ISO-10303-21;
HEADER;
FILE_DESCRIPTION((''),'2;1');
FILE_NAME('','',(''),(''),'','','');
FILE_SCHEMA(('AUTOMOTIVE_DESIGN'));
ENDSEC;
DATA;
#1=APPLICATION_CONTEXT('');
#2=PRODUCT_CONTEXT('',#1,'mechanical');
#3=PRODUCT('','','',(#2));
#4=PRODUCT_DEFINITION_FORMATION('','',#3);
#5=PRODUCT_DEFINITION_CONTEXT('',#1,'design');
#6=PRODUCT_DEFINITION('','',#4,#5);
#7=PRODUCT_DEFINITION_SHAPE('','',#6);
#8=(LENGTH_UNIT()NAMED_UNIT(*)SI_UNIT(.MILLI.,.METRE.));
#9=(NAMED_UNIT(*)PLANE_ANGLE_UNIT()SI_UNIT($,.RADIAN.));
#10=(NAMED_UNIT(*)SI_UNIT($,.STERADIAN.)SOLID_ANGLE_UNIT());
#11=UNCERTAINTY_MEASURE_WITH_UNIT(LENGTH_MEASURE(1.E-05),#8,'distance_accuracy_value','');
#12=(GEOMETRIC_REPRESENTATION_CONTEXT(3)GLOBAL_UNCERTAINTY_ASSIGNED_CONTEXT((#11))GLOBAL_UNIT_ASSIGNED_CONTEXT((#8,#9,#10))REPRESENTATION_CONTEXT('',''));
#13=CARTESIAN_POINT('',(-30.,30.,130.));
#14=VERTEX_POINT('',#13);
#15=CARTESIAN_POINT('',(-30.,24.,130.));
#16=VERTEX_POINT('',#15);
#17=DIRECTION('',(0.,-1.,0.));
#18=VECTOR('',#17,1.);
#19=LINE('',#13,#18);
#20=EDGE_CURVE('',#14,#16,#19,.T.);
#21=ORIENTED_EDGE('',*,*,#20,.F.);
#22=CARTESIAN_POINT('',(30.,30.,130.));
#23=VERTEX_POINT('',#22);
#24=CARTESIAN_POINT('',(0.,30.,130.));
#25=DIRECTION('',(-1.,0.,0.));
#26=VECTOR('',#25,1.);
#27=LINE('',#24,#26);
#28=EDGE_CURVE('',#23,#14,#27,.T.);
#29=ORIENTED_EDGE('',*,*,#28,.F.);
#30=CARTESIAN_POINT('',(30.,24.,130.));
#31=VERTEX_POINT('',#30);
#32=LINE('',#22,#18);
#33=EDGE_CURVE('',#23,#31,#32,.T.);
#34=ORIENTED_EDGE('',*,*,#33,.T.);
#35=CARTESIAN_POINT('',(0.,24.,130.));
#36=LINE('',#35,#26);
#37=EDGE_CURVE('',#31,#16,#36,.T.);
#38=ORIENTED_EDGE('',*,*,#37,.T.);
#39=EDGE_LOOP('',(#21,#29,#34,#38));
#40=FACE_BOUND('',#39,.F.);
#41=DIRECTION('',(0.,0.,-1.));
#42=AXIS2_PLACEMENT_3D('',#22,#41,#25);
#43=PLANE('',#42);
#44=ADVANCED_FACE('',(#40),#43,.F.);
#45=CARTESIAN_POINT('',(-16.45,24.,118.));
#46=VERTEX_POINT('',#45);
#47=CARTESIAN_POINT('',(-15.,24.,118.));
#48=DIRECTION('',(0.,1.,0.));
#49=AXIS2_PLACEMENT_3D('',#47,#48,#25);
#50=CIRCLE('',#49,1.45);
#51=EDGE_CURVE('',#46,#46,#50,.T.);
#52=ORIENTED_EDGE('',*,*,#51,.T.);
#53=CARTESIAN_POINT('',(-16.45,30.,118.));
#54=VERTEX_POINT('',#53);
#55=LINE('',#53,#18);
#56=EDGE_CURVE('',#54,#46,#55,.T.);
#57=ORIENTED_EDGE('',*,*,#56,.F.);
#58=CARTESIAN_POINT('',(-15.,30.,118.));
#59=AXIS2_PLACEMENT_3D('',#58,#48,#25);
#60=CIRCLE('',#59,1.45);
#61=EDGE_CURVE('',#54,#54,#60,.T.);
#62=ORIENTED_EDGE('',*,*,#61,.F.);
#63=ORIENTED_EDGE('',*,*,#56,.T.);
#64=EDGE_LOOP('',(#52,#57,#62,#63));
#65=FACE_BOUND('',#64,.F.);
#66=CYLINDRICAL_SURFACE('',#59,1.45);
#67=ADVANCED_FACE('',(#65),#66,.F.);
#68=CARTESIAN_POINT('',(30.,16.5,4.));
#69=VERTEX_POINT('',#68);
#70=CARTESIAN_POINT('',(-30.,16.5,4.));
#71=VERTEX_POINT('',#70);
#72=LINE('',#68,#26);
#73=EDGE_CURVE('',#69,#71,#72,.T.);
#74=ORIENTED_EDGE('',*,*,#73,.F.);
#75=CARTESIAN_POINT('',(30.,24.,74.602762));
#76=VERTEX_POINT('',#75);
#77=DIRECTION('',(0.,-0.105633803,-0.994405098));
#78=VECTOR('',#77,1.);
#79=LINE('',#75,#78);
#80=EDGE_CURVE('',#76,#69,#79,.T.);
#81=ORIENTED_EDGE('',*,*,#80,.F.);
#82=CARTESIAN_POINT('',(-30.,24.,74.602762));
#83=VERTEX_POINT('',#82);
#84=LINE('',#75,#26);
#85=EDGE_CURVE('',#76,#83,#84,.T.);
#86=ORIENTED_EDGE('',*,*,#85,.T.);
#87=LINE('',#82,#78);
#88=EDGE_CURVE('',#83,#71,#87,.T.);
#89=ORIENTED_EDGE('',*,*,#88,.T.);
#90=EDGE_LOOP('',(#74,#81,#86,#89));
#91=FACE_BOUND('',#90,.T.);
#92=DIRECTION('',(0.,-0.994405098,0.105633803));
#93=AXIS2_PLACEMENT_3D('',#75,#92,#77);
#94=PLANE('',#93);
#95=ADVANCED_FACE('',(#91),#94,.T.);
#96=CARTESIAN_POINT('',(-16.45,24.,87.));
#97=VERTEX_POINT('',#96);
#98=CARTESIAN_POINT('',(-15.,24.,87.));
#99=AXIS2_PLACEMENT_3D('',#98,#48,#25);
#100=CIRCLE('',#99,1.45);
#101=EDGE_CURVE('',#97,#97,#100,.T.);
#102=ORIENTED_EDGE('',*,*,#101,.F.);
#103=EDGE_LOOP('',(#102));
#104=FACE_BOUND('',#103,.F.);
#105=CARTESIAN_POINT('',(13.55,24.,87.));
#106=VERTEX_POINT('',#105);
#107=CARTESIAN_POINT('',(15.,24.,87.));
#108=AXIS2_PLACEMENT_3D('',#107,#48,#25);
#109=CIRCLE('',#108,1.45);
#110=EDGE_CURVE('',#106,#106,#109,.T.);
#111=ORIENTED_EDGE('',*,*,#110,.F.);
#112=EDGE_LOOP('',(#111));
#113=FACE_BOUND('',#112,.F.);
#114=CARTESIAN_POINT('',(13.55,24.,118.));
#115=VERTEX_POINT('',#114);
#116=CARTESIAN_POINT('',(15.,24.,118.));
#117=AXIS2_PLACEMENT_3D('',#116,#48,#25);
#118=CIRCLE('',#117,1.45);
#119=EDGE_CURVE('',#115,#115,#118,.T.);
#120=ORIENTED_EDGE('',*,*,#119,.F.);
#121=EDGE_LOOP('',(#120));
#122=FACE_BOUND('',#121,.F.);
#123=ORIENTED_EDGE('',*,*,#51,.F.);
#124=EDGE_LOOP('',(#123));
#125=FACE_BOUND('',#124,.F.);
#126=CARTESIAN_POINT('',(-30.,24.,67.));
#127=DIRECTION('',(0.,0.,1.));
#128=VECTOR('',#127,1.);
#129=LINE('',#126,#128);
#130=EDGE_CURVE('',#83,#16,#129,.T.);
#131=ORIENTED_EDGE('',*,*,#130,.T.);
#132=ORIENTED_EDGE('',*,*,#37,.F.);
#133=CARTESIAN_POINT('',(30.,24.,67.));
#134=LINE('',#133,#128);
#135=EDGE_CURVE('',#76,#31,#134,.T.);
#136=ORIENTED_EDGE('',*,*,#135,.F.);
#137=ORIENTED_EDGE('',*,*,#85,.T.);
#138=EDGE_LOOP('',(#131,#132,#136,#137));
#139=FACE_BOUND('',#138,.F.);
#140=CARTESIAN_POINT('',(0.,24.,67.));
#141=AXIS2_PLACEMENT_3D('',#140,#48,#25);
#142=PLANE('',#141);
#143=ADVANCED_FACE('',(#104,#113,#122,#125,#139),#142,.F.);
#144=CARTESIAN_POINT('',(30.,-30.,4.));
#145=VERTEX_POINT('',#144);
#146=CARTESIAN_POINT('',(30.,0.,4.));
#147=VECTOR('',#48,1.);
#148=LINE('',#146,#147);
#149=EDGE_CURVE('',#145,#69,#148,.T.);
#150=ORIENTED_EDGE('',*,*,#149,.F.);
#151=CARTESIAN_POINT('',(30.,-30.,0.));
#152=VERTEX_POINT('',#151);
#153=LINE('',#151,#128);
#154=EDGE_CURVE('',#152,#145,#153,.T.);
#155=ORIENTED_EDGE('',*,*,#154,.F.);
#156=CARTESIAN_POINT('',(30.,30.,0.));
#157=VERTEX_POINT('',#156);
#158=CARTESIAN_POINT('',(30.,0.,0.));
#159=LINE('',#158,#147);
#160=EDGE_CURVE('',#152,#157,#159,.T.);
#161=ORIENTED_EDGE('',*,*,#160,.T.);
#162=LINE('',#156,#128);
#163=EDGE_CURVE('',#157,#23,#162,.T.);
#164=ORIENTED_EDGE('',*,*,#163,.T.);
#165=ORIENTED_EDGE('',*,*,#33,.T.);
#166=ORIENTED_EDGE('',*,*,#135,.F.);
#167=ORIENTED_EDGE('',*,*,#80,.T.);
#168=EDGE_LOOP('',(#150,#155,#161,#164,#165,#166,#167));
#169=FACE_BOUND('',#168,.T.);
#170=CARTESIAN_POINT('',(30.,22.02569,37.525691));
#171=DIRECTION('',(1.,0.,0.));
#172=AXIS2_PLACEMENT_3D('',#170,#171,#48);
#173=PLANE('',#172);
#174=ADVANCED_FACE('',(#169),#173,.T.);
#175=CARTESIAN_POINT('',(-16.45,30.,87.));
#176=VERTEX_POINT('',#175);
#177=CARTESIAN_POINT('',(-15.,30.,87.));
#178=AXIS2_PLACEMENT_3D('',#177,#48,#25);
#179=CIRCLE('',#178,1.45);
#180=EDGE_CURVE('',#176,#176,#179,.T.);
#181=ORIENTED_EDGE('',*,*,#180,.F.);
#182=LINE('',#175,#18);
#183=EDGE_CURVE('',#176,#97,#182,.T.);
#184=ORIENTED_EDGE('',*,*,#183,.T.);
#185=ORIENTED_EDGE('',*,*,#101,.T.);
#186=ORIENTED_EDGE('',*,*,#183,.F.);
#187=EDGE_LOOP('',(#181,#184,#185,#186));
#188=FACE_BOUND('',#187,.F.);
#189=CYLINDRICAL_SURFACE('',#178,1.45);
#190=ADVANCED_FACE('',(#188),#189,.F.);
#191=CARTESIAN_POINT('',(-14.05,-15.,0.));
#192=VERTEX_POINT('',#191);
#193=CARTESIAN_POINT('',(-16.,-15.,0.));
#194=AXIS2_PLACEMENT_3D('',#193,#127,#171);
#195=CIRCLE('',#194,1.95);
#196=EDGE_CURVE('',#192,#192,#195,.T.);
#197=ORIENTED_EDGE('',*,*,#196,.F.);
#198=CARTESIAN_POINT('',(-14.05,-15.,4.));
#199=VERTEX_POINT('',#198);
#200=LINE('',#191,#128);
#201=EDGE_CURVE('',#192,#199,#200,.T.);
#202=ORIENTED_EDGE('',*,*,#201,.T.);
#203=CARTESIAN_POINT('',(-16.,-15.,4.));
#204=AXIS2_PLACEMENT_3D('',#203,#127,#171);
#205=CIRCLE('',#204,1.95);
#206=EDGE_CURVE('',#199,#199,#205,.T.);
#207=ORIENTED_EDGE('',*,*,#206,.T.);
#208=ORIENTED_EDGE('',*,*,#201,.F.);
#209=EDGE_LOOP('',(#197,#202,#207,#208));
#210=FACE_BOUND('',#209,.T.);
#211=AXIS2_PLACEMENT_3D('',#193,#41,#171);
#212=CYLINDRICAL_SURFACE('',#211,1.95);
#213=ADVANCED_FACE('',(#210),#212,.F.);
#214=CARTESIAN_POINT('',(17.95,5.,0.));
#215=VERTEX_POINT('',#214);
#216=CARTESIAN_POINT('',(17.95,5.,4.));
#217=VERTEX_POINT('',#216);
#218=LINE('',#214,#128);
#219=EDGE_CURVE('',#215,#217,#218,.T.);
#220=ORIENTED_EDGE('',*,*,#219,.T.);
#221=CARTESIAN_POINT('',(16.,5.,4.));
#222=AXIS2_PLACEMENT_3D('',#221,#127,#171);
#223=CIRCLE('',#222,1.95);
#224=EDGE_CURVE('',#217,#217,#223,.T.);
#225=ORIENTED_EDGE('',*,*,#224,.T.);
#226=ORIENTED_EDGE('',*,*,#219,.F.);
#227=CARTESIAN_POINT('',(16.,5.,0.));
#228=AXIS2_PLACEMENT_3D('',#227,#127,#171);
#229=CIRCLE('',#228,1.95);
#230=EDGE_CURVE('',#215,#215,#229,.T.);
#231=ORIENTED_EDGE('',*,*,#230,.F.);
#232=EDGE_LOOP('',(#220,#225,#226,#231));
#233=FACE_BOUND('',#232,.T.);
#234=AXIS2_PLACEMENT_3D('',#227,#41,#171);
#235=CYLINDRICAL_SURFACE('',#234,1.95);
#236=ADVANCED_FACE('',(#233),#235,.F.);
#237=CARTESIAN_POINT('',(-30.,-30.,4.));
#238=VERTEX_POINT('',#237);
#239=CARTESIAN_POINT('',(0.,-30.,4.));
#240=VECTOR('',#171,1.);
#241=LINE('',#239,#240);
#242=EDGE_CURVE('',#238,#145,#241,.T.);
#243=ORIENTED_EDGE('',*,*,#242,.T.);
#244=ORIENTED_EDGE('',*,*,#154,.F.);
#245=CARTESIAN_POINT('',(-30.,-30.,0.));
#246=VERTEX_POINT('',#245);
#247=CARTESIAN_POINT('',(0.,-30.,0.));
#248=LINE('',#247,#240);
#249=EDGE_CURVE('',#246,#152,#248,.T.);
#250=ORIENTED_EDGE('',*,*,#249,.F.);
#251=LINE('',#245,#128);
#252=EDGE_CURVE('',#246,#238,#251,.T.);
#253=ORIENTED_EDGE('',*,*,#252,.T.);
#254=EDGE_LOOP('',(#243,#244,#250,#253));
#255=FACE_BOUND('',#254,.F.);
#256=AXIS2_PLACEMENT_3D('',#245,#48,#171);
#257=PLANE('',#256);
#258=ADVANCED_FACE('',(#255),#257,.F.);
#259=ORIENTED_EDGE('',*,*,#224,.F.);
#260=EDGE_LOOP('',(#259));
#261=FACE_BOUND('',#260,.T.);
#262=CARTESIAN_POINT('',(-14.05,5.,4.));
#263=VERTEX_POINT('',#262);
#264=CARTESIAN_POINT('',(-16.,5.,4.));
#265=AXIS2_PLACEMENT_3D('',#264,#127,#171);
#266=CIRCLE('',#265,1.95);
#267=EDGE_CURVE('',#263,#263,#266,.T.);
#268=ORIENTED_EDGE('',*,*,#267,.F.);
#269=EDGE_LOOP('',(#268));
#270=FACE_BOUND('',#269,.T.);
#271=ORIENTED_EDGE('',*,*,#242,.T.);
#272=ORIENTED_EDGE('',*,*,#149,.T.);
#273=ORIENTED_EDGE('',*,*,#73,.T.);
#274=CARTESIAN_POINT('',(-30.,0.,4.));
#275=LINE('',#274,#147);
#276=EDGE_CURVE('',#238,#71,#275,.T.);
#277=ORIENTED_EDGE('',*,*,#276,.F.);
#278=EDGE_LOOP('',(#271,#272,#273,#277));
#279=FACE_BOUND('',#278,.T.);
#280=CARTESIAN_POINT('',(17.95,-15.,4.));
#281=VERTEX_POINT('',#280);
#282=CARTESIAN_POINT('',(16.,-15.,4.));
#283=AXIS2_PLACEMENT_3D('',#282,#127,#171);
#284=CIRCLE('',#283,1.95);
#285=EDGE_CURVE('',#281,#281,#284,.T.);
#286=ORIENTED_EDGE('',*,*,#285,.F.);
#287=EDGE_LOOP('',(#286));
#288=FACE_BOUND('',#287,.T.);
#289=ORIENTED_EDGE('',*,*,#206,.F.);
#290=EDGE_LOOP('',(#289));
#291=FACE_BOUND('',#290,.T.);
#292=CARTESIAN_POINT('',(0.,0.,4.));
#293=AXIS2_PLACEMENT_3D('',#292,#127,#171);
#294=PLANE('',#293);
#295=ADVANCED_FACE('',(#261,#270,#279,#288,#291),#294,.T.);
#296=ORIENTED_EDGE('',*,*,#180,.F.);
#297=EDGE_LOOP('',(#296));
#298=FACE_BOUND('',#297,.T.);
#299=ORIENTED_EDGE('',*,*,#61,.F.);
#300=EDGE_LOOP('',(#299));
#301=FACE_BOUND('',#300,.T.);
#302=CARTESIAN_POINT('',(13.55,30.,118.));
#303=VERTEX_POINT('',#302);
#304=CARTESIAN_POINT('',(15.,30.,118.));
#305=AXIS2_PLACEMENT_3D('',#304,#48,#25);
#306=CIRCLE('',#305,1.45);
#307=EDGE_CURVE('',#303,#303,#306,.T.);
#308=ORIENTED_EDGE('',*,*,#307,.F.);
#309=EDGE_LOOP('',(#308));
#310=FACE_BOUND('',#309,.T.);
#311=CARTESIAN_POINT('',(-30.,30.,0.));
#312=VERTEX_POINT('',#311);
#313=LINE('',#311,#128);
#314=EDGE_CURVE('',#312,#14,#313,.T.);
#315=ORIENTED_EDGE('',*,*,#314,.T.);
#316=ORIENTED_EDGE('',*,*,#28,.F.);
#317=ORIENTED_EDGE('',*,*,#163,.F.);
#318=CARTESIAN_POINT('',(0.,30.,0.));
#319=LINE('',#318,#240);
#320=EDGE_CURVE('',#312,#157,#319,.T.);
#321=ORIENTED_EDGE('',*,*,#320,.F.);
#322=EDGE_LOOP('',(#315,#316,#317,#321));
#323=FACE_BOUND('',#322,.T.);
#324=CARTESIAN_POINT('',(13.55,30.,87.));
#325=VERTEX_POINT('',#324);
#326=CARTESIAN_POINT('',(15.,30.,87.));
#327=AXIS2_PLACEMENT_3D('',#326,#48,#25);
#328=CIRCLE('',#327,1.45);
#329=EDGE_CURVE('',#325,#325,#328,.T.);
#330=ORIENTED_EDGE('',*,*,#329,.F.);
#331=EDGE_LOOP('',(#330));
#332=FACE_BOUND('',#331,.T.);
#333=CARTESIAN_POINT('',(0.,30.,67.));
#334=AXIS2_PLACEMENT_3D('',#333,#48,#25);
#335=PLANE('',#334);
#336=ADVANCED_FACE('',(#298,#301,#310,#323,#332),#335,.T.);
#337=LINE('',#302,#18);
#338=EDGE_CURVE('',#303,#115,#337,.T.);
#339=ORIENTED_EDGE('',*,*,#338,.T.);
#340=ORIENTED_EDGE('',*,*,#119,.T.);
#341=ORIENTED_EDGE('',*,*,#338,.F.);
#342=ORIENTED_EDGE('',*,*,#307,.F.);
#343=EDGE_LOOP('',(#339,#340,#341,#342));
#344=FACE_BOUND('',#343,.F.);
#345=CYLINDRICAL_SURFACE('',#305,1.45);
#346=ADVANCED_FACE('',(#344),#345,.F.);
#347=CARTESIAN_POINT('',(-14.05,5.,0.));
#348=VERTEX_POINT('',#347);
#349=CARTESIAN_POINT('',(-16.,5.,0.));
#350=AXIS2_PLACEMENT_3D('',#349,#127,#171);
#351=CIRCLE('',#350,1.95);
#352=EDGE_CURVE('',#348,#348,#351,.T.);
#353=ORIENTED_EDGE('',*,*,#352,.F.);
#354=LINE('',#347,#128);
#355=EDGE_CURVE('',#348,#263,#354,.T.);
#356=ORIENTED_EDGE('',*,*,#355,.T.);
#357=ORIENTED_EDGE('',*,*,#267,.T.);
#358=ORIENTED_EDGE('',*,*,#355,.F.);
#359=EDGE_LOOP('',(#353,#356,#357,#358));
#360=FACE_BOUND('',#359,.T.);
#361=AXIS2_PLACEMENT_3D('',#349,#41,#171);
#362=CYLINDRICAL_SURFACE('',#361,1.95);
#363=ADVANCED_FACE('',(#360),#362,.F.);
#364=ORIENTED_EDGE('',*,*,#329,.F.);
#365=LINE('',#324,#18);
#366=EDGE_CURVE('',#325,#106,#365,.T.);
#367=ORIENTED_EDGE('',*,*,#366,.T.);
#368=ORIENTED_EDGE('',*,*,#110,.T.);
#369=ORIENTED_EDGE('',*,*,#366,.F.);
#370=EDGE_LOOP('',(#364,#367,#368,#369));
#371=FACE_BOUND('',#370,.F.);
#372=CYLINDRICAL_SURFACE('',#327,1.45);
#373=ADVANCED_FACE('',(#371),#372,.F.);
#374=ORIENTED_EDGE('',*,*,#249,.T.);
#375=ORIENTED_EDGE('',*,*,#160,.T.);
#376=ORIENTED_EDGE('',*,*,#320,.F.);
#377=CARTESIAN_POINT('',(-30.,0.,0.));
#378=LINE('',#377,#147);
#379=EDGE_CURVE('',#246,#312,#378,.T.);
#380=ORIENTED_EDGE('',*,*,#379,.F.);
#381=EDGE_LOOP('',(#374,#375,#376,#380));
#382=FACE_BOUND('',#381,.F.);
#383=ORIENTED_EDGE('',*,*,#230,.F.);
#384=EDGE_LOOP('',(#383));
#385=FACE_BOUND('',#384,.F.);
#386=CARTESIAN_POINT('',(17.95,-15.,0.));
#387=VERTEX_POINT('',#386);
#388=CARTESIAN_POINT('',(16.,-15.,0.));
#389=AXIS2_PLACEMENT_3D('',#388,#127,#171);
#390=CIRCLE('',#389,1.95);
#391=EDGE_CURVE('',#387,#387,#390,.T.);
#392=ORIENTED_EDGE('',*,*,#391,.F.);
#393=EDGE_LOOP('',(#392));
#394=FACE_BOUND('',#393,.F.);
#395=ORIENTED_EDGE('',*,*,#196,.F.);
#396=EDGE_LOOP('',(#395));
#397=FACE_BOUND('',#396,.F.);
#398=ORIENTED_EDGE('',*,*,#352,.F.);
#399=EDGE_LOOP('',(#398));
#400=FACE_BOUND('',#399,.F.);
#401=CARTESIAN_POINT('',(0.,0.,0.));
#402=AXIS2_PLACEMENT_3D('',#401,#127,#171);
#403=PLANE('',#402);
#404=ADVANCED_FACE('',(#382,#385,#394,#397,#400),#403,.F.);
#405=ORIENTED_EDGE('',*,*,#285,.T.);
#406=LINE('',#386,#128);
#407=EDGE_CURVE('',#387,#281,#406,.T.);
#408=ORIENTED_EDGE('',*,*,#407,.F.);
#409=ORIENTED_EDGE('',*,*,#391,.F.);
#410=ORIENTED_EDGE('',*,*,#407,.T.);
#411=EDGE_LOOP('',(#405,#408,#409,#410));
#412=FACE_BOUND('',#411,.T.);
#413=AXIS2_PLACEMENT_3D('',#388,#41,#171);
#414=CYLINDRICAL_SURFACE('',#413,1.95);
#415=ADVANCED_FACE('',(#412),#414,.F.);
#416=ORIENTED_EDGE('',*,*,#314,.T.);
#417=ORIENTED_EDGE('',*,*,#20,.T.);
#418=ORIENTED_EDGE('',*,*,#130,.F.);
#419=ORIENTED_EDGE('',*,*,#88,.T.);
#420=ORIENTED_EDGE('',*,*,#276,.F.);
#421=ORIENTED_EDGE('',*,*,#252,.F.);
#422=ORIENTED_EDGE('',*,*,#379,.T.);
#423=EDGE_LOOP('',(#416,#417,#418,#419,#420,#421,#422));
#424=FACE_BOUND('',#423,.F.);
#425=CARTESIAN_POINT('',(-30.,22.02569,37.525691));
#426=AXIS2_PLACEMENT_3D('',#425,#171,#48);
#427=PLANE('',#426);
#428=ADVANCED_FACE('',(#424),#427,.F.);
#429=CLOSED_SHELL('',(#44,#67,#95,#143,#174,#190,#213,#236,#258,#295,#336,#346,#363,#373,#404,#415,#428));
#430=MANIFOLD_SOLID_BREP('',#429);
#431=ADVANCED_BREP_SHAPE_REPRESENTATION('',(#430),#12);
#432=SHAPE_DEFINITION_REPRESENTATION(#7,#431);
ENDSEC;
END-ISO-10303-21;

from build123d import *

# Parameters (mm, degrees)
F0_W     = 60
F0_H     = 60
F0_R     = 1.95
F1_DEPTH = 4
F2_W     = 60
F2_H     = 126
F2_R     = 1.45
F3_DEPTH = 6
F5_DEPTH = 60


with BuildPart() as f1:
    # F0 (on Top) → F1 (new body)
    with BuildSketch(Plane.XY):
        Rectangle(F0_W, F0_H)
        with Locations((-16, -15)):
            Circle(F0_R, mode=Mode.SUBTRACT)
        with Locations((16, -15)):
            Circle(F0_R, mode=Mode.SUBTRACT)
        with Locations((-16, 5)):
            Circle(F0_R, mode=Mode.SUBTRACT)
        with Locations((16, 5)):
            Circle(F0_R, mode=Mode.SUBTRACT)
    extrude(amount=F1_DEPTH)

    # F2 (on face) → F3 (join)
    with BuildSketch(Plane(origin=(0, 30, 0), x_dir=(-1, 0, 0), z_dir=(0, 1, 0))):
        with Locations((0, 67)):
            Rectangle(F2_W, F2_H)
        with Locations((-15, 87)):
            Circle(F2_R, mode=Mode.SUBTRACT)
        with Locations((-15, 118)):
            Circle(F2_R, mode=Mode.SUBTRACT)
        with Locations((15, 87)):
            Circle(F2_R, mode=Mode.SUBTRACT)
        with Locations((15, 118)):
            Circle(F2_R, mode=Mode.SUBTRACT)
    extrude(amount=-F3_DEPTH)

    # F4 (on face) → F5 (join)
    with BuildSketch(Plane.YZ.offset(30)):
        Polygon((24, 74.602762), (16.5, 4), (24, 4), align=None)
    extrude(amount=-F5_DEPTH)


solid = f1.part
